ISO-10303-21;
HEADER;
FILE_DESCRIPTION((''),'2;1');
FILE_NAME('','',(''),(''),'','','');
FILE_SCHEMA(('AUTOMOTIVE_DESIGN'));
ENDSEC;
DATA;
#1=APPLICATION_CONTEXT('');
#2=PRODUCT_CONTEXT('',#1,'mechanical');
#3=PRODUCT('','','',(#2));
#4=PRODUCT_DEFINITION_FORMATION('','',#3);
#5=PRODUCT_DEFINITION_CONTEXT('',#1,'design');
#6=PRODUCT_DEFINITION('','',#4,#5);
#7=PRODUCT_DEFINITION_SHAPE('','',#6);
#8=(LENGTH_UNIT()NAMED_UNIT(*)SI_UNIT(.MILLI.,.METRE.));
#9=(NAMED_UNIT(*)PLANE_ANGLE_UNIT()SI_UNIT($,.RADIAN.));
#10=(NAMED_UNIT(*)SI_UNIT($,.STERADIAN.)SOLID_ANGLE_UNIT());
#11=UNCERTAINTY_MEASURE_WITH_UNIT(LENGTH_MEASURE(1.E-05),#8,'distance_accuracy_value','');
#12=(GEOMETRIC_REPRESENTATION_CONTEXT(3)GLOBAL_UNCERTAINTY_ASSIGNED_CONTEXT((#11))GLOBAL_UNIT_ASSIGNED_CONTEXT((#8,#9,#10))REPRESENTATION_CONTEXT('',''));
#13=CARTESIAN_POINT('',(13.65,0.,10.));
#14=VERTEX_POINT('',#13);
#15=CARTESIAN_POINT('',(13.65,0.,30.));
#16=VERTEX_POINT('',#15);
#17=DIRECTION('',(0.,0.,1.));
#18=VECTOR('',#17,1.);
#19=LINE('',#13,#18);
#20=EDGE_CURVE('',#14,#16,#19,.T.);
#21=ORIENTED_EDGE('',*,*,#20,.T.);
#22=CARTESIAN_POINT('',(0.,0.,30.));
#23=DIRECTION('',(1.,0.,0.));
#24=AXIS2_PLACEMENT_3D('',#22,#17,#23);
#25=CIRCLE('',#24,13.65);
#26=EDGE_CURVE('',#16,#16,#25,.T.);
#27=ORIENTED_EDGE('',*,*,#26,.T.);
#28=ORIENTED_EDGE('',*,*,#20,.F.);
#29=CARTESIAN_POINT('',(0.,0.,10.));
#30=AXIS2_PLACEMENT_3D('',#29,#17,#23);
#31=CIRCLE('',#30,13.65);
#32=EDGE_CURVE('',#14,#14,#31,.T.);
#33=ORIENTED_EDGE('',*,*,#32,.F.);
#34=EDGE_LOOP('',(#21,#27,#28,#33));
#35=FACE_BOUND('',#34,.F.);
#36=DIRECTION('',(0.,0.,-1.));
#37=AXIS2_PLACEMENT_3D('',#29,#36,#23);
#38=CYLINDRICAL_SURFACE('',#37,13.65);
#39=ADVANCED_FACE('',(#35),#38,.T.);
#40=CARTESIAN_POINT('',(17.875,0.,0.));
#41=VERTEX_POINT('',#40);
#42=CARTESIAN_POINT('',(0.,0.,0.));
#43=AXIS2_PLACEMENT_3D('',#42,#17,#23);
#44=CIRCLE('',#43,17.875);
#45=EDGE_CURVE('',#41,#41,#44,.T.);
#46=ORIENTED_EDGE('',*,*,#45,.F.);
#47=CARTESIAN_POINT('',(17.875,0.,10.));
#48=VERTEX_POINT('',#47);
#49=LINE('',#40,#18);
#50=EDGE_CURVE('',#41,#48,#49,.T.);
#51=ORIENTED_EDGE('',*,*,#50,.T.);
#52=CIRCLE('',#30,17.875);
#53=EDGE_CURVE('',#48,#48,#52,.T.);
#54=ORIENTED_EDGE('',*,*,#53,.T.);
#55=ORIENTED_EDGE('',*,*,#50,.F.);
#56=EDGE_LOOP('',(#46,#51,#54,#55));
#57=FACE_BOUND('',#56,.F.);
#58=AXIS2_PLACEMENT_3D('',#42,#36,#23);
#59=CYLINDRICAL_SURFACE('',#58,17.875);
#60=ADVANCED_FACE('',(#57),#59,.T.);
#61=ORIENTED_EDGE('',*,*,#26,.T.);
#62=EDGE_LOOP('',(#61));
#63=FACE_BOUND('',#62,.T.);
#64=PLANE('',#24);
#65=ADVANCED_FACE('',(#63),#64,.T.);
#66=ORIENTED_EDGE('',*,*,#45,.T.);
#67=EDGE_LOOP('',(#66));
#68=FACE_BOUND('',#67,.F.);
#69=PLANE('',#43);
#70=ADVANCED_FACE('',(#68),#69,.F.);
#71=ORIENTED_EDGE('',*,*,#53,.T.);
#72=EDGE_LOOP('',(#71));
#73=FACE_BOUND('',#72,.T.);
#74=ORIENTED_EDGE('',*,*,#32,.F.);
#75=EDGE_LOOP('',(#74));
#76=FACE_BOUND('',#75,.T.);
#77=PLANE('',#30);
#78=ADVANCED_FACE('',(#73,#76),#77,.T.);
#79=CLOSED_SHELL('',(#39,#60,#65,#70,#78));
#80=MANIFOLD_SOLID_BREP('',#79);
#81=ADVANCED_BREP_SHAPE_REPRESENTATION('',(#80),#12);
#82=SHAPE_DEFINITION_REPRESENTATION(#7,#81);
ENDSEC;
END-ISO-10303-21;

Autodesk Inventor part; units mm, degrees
ref_plane "YZ Plane" through (0, 0, 0) normal (1, 0, 0) x (0, 1, 0)
ref_plane "XZ Plane" through (0, 0, 0) normal (0, 1, 0) x (-1, 0, 0)
ref_plane "XY Plane" through (0, 0, 0) normal (0, 0, 1) x (1, 0, 0)
sketch "Sketch1" plane through (0, 0, 0) normal (0, 0, 1) x (1, 0, 0)
  circle A0 centre (0, 0) radius 17.875
  dimension "d0" = 35.75
extrude "Extrusion1" add sketch "Sketch1" along normal blind 10
sketch "Sketch2" plane through (0, 0, 10) normal (0, 0, 1) x (1, 0, 0)
  circle A0 centre (0, 0) radius 13.65
  dimension "d3" = 27.3
extrude "Extrusion2" add sketch "Sketch2" along normal blind 20
properties part number "button"
